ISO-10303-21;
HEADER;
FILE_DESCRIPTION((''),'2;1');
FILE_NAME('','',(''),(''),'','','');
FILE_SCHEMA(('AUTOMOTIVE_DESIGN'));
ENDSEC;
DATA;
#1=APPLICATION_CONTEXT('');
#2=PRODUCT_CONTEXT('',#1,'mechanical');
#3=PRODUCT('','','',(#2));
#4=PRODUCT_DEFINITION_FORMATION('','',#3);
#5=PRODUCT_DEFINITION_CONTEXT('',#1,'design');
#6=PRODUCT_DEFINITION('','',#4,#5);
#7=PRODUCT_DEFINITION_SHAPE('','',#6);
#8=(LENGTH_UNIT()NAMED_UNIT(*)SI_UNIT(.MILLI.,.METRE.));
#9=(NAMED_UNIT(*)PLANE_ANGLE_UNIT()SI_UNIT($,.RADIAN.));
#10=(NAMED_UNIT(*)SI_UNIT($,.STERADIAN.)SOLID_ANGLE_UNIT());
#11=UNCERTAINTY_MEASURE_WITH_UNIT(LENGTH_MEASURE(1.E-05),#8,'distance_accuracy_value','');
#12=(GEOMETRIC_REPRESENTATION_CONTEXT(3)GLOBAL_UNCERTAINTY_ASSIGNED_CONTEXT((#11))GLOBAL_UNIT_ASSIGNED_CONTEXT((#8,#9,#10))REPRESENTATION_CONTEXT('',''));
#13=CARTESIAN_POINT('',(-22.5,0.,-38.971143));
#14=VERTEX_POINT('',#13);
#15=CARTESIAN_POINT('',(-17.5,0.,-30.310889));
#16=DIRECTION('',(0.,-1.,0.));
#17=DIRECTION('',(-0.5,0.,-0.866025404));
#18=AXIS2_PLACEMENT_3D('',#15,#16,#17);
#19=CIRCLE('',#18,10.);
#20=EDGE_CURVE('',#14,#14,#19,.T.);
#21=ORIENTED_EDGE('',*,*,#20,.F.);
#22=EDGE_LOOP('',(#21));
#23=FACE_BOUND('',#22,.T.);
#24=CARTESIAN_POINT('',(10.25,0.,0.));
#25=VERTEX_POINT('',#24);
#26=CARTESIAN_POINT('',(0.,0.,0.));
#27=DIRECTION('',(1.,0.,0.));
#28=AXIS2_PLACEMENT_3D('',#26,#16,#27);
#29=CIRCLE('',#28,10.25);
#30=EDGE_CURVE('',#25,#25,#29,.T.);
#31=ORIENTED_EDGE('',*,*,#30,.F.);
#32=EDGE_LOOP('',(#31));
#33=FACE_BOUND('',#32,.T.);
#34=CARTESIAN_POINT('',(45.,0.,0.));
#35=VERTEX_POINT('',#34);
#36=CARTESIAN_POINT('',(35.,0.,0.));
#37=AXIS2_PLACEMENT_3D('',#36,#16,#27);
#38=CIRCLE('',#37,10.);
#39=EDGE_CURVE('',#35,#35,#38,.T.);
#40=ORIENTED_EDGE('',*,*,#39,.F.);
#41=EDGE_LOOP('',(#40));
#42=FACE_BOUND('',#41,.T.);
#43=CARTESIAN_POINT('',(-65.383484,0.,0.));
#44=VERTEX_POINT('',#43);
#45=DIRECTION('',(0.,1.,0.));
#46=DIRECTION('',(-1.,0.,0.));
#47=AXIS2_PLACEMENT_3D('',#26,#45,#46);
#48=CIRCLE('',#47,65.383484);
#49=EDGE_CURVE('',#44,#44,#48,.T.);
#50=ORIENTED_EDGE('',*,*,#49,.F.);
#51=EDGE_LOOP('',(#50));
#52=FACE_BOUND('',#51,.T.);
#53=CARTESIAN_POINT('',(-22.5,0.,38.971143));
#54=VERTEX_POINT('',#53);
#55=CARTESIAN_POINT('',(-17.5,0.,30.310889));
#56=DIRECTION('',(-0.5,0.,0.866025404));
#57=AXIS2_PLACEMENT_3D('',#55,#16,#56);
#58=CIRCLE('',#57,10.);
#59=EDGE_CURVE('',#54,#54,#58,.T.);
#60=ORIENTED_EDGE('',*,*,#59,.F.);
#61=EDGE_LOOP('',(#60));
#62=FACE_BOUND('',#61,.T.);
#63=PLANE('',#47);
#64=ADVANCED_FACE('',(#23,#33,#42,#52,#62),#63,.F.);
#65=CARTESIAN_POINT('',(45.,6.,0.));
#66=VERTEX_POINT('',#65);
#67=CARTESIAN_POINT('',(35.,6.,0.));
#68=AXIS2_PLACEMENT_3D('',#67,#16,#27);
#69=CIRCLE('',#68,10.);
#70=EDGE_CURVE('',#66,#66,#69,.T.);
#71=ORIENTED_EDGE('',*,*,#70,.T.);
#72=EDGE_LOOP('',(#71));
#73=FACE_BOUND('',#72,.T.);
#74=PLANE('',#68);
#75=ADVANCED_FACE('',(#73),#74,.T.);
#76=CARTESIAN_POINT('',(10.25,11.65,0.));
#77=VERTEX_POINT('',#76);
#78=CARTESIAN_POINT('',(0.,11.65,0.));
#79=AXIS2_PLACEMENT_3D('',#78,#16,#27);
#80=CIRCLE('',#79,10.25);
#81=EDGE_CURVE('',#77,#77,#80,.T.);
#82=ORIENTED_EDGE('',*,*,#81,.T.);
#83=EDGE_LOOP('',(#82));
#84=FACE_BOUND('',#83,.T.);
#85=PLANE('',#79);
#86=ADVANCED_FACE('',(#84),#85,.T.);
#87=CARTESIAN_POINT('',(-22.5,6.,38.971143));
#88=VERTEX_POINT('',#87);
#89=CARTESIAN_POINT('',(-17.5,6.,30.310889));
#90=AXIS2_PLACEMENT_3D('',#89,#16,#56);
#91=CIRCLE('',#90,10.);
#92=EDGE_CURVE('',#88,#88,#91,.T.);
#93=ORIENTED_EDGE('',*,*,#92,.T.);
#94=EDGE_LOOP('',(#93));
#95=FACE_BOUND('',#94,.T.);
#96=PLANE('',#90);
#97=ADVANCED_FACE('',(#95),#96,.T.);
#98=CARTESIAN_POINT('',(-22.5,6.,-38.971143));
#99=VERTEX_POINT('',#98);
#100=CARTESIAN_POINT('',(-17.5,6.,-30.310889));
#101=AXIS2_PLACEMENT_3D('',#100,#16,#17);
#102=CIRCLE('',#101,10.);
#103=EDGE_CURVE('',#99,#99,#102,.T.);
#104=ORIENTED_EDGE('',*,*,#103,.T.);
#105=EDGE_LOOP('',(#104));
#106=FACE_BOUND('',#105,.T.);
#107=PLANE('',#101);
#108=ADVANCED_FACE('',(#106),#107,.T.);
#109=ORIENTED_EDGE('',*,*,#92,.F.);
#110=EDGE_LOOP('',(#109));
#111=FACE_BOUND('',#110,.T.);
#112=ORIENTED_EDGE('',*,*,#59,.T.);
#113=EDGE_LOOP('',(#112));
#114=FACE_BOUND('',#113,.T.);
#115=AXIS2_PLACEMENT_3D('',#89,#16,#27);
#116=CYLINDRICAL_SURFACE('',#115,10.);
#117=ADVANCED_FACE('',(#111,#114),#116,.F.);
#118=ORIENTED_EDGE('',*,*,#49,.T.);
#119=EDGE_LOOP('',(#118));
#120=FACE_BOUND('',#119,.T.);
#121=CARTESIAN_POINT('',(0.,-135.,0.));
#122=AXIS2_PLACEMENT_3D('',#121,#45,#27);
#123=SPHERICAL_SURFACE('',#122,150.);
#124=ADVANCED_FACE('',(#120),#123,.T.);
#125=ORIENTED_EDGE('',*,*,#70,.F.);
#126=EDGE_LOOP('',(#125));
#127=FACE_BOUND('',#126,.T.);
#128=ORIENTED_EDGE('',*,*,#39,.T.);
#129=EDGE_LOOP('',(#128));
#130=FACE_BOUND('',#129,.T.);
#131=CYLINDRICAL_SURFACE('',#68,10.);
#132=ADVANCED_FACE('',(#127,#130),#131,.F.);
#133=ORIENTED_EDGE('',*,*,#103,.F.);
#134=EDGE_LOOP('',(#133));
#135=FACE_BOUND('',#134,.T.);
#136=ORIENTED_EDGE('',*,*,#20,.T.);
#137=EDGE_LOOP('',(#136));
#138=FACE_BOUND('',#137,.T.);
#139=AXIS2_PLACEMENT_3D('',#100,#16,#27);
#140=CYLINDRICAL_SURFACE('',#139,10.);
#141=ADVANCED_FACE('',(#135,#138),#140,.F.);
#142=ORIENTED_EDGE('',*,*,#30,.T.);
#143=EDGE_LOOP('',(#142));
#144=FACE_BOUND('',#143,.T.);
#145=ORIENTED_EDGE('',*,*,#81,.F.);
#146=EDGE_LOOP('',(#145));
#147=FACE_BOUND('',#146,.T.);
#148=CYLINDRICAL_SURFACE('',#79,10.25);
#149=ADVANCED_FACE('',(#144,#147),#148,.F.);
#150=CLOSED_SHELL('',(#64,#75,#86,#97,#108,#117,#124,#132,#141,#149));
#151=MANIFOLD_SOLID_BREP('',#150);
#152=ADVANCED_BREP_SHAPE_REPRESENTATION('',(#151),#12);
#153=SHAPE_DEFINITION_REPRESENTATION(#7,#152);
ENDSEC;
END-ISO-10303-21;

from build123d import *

# Parameters (mm, degrees)
ESQUISSE4_R                  = 10.25
ENL_V_MAT_EXTRU_2_DEPTH      = 11.65
ESQUISSE5_R                  = 10
ENL_V_MAT_EXTRU_3_DEPTH      = 6
R_P_TITION_CIRCULAIRE1_COUNT = 3


with BuildPart() as part:
    # Esquisse1 → Révolution1 (revolve)
    with BuildSketch(Plane.XY):
        with BuildLine():
            Line((0, 15), (0, 0))
            Line((0, 0), (65.383484153, 0))
            ThreePointArc((65.383484153, 0), (33.541019662, 11.201915172), (0, 15))
        make_face()
    revolve(axis=Axis((0, 15, 0), (0, -1, 0)))

    # Esquisse4 → Enlèv. mat.-Extru.2 (cut)
    with BuildSketch(Plane.XZ):
        Circle(ESQUISSE4_R)
    extrude(amount=-ENL_V_MAT_EXTRU_2_DEPTH, mode=Mode.SUBTRACT)

    # Esquisse5 → Enlèv. mat.-Extru.3 (cut)
    with BuildSketch(Plane.XZ):
        with Locations((35, 0)):
            Circle(ESQUISSE5_R)
    enl_v_mat_extru_3 = extrude(amount=-ENL_V_MAT_EXTRU_3_DEPTH, mode=Mode.SUBTRACT)

    # Répétition circulaire1: Enlèv. mat.-Extru.3 ×3 about axis
    r_p_tition_circulaire1_axis = Axis((0, 0, 0), (0, 1, 0))
    for i in range(1, R_P_TITION_CIRCULAIRE1_COUNT):
        add(enl_v_mat_extru_3.rotate(r_p_tition_circulaire1_axis, i * 360 / R_P_TITION_CIRCULAIRE1_COUNT), mode=Mode.SUBTRACT)


solid = part.part
